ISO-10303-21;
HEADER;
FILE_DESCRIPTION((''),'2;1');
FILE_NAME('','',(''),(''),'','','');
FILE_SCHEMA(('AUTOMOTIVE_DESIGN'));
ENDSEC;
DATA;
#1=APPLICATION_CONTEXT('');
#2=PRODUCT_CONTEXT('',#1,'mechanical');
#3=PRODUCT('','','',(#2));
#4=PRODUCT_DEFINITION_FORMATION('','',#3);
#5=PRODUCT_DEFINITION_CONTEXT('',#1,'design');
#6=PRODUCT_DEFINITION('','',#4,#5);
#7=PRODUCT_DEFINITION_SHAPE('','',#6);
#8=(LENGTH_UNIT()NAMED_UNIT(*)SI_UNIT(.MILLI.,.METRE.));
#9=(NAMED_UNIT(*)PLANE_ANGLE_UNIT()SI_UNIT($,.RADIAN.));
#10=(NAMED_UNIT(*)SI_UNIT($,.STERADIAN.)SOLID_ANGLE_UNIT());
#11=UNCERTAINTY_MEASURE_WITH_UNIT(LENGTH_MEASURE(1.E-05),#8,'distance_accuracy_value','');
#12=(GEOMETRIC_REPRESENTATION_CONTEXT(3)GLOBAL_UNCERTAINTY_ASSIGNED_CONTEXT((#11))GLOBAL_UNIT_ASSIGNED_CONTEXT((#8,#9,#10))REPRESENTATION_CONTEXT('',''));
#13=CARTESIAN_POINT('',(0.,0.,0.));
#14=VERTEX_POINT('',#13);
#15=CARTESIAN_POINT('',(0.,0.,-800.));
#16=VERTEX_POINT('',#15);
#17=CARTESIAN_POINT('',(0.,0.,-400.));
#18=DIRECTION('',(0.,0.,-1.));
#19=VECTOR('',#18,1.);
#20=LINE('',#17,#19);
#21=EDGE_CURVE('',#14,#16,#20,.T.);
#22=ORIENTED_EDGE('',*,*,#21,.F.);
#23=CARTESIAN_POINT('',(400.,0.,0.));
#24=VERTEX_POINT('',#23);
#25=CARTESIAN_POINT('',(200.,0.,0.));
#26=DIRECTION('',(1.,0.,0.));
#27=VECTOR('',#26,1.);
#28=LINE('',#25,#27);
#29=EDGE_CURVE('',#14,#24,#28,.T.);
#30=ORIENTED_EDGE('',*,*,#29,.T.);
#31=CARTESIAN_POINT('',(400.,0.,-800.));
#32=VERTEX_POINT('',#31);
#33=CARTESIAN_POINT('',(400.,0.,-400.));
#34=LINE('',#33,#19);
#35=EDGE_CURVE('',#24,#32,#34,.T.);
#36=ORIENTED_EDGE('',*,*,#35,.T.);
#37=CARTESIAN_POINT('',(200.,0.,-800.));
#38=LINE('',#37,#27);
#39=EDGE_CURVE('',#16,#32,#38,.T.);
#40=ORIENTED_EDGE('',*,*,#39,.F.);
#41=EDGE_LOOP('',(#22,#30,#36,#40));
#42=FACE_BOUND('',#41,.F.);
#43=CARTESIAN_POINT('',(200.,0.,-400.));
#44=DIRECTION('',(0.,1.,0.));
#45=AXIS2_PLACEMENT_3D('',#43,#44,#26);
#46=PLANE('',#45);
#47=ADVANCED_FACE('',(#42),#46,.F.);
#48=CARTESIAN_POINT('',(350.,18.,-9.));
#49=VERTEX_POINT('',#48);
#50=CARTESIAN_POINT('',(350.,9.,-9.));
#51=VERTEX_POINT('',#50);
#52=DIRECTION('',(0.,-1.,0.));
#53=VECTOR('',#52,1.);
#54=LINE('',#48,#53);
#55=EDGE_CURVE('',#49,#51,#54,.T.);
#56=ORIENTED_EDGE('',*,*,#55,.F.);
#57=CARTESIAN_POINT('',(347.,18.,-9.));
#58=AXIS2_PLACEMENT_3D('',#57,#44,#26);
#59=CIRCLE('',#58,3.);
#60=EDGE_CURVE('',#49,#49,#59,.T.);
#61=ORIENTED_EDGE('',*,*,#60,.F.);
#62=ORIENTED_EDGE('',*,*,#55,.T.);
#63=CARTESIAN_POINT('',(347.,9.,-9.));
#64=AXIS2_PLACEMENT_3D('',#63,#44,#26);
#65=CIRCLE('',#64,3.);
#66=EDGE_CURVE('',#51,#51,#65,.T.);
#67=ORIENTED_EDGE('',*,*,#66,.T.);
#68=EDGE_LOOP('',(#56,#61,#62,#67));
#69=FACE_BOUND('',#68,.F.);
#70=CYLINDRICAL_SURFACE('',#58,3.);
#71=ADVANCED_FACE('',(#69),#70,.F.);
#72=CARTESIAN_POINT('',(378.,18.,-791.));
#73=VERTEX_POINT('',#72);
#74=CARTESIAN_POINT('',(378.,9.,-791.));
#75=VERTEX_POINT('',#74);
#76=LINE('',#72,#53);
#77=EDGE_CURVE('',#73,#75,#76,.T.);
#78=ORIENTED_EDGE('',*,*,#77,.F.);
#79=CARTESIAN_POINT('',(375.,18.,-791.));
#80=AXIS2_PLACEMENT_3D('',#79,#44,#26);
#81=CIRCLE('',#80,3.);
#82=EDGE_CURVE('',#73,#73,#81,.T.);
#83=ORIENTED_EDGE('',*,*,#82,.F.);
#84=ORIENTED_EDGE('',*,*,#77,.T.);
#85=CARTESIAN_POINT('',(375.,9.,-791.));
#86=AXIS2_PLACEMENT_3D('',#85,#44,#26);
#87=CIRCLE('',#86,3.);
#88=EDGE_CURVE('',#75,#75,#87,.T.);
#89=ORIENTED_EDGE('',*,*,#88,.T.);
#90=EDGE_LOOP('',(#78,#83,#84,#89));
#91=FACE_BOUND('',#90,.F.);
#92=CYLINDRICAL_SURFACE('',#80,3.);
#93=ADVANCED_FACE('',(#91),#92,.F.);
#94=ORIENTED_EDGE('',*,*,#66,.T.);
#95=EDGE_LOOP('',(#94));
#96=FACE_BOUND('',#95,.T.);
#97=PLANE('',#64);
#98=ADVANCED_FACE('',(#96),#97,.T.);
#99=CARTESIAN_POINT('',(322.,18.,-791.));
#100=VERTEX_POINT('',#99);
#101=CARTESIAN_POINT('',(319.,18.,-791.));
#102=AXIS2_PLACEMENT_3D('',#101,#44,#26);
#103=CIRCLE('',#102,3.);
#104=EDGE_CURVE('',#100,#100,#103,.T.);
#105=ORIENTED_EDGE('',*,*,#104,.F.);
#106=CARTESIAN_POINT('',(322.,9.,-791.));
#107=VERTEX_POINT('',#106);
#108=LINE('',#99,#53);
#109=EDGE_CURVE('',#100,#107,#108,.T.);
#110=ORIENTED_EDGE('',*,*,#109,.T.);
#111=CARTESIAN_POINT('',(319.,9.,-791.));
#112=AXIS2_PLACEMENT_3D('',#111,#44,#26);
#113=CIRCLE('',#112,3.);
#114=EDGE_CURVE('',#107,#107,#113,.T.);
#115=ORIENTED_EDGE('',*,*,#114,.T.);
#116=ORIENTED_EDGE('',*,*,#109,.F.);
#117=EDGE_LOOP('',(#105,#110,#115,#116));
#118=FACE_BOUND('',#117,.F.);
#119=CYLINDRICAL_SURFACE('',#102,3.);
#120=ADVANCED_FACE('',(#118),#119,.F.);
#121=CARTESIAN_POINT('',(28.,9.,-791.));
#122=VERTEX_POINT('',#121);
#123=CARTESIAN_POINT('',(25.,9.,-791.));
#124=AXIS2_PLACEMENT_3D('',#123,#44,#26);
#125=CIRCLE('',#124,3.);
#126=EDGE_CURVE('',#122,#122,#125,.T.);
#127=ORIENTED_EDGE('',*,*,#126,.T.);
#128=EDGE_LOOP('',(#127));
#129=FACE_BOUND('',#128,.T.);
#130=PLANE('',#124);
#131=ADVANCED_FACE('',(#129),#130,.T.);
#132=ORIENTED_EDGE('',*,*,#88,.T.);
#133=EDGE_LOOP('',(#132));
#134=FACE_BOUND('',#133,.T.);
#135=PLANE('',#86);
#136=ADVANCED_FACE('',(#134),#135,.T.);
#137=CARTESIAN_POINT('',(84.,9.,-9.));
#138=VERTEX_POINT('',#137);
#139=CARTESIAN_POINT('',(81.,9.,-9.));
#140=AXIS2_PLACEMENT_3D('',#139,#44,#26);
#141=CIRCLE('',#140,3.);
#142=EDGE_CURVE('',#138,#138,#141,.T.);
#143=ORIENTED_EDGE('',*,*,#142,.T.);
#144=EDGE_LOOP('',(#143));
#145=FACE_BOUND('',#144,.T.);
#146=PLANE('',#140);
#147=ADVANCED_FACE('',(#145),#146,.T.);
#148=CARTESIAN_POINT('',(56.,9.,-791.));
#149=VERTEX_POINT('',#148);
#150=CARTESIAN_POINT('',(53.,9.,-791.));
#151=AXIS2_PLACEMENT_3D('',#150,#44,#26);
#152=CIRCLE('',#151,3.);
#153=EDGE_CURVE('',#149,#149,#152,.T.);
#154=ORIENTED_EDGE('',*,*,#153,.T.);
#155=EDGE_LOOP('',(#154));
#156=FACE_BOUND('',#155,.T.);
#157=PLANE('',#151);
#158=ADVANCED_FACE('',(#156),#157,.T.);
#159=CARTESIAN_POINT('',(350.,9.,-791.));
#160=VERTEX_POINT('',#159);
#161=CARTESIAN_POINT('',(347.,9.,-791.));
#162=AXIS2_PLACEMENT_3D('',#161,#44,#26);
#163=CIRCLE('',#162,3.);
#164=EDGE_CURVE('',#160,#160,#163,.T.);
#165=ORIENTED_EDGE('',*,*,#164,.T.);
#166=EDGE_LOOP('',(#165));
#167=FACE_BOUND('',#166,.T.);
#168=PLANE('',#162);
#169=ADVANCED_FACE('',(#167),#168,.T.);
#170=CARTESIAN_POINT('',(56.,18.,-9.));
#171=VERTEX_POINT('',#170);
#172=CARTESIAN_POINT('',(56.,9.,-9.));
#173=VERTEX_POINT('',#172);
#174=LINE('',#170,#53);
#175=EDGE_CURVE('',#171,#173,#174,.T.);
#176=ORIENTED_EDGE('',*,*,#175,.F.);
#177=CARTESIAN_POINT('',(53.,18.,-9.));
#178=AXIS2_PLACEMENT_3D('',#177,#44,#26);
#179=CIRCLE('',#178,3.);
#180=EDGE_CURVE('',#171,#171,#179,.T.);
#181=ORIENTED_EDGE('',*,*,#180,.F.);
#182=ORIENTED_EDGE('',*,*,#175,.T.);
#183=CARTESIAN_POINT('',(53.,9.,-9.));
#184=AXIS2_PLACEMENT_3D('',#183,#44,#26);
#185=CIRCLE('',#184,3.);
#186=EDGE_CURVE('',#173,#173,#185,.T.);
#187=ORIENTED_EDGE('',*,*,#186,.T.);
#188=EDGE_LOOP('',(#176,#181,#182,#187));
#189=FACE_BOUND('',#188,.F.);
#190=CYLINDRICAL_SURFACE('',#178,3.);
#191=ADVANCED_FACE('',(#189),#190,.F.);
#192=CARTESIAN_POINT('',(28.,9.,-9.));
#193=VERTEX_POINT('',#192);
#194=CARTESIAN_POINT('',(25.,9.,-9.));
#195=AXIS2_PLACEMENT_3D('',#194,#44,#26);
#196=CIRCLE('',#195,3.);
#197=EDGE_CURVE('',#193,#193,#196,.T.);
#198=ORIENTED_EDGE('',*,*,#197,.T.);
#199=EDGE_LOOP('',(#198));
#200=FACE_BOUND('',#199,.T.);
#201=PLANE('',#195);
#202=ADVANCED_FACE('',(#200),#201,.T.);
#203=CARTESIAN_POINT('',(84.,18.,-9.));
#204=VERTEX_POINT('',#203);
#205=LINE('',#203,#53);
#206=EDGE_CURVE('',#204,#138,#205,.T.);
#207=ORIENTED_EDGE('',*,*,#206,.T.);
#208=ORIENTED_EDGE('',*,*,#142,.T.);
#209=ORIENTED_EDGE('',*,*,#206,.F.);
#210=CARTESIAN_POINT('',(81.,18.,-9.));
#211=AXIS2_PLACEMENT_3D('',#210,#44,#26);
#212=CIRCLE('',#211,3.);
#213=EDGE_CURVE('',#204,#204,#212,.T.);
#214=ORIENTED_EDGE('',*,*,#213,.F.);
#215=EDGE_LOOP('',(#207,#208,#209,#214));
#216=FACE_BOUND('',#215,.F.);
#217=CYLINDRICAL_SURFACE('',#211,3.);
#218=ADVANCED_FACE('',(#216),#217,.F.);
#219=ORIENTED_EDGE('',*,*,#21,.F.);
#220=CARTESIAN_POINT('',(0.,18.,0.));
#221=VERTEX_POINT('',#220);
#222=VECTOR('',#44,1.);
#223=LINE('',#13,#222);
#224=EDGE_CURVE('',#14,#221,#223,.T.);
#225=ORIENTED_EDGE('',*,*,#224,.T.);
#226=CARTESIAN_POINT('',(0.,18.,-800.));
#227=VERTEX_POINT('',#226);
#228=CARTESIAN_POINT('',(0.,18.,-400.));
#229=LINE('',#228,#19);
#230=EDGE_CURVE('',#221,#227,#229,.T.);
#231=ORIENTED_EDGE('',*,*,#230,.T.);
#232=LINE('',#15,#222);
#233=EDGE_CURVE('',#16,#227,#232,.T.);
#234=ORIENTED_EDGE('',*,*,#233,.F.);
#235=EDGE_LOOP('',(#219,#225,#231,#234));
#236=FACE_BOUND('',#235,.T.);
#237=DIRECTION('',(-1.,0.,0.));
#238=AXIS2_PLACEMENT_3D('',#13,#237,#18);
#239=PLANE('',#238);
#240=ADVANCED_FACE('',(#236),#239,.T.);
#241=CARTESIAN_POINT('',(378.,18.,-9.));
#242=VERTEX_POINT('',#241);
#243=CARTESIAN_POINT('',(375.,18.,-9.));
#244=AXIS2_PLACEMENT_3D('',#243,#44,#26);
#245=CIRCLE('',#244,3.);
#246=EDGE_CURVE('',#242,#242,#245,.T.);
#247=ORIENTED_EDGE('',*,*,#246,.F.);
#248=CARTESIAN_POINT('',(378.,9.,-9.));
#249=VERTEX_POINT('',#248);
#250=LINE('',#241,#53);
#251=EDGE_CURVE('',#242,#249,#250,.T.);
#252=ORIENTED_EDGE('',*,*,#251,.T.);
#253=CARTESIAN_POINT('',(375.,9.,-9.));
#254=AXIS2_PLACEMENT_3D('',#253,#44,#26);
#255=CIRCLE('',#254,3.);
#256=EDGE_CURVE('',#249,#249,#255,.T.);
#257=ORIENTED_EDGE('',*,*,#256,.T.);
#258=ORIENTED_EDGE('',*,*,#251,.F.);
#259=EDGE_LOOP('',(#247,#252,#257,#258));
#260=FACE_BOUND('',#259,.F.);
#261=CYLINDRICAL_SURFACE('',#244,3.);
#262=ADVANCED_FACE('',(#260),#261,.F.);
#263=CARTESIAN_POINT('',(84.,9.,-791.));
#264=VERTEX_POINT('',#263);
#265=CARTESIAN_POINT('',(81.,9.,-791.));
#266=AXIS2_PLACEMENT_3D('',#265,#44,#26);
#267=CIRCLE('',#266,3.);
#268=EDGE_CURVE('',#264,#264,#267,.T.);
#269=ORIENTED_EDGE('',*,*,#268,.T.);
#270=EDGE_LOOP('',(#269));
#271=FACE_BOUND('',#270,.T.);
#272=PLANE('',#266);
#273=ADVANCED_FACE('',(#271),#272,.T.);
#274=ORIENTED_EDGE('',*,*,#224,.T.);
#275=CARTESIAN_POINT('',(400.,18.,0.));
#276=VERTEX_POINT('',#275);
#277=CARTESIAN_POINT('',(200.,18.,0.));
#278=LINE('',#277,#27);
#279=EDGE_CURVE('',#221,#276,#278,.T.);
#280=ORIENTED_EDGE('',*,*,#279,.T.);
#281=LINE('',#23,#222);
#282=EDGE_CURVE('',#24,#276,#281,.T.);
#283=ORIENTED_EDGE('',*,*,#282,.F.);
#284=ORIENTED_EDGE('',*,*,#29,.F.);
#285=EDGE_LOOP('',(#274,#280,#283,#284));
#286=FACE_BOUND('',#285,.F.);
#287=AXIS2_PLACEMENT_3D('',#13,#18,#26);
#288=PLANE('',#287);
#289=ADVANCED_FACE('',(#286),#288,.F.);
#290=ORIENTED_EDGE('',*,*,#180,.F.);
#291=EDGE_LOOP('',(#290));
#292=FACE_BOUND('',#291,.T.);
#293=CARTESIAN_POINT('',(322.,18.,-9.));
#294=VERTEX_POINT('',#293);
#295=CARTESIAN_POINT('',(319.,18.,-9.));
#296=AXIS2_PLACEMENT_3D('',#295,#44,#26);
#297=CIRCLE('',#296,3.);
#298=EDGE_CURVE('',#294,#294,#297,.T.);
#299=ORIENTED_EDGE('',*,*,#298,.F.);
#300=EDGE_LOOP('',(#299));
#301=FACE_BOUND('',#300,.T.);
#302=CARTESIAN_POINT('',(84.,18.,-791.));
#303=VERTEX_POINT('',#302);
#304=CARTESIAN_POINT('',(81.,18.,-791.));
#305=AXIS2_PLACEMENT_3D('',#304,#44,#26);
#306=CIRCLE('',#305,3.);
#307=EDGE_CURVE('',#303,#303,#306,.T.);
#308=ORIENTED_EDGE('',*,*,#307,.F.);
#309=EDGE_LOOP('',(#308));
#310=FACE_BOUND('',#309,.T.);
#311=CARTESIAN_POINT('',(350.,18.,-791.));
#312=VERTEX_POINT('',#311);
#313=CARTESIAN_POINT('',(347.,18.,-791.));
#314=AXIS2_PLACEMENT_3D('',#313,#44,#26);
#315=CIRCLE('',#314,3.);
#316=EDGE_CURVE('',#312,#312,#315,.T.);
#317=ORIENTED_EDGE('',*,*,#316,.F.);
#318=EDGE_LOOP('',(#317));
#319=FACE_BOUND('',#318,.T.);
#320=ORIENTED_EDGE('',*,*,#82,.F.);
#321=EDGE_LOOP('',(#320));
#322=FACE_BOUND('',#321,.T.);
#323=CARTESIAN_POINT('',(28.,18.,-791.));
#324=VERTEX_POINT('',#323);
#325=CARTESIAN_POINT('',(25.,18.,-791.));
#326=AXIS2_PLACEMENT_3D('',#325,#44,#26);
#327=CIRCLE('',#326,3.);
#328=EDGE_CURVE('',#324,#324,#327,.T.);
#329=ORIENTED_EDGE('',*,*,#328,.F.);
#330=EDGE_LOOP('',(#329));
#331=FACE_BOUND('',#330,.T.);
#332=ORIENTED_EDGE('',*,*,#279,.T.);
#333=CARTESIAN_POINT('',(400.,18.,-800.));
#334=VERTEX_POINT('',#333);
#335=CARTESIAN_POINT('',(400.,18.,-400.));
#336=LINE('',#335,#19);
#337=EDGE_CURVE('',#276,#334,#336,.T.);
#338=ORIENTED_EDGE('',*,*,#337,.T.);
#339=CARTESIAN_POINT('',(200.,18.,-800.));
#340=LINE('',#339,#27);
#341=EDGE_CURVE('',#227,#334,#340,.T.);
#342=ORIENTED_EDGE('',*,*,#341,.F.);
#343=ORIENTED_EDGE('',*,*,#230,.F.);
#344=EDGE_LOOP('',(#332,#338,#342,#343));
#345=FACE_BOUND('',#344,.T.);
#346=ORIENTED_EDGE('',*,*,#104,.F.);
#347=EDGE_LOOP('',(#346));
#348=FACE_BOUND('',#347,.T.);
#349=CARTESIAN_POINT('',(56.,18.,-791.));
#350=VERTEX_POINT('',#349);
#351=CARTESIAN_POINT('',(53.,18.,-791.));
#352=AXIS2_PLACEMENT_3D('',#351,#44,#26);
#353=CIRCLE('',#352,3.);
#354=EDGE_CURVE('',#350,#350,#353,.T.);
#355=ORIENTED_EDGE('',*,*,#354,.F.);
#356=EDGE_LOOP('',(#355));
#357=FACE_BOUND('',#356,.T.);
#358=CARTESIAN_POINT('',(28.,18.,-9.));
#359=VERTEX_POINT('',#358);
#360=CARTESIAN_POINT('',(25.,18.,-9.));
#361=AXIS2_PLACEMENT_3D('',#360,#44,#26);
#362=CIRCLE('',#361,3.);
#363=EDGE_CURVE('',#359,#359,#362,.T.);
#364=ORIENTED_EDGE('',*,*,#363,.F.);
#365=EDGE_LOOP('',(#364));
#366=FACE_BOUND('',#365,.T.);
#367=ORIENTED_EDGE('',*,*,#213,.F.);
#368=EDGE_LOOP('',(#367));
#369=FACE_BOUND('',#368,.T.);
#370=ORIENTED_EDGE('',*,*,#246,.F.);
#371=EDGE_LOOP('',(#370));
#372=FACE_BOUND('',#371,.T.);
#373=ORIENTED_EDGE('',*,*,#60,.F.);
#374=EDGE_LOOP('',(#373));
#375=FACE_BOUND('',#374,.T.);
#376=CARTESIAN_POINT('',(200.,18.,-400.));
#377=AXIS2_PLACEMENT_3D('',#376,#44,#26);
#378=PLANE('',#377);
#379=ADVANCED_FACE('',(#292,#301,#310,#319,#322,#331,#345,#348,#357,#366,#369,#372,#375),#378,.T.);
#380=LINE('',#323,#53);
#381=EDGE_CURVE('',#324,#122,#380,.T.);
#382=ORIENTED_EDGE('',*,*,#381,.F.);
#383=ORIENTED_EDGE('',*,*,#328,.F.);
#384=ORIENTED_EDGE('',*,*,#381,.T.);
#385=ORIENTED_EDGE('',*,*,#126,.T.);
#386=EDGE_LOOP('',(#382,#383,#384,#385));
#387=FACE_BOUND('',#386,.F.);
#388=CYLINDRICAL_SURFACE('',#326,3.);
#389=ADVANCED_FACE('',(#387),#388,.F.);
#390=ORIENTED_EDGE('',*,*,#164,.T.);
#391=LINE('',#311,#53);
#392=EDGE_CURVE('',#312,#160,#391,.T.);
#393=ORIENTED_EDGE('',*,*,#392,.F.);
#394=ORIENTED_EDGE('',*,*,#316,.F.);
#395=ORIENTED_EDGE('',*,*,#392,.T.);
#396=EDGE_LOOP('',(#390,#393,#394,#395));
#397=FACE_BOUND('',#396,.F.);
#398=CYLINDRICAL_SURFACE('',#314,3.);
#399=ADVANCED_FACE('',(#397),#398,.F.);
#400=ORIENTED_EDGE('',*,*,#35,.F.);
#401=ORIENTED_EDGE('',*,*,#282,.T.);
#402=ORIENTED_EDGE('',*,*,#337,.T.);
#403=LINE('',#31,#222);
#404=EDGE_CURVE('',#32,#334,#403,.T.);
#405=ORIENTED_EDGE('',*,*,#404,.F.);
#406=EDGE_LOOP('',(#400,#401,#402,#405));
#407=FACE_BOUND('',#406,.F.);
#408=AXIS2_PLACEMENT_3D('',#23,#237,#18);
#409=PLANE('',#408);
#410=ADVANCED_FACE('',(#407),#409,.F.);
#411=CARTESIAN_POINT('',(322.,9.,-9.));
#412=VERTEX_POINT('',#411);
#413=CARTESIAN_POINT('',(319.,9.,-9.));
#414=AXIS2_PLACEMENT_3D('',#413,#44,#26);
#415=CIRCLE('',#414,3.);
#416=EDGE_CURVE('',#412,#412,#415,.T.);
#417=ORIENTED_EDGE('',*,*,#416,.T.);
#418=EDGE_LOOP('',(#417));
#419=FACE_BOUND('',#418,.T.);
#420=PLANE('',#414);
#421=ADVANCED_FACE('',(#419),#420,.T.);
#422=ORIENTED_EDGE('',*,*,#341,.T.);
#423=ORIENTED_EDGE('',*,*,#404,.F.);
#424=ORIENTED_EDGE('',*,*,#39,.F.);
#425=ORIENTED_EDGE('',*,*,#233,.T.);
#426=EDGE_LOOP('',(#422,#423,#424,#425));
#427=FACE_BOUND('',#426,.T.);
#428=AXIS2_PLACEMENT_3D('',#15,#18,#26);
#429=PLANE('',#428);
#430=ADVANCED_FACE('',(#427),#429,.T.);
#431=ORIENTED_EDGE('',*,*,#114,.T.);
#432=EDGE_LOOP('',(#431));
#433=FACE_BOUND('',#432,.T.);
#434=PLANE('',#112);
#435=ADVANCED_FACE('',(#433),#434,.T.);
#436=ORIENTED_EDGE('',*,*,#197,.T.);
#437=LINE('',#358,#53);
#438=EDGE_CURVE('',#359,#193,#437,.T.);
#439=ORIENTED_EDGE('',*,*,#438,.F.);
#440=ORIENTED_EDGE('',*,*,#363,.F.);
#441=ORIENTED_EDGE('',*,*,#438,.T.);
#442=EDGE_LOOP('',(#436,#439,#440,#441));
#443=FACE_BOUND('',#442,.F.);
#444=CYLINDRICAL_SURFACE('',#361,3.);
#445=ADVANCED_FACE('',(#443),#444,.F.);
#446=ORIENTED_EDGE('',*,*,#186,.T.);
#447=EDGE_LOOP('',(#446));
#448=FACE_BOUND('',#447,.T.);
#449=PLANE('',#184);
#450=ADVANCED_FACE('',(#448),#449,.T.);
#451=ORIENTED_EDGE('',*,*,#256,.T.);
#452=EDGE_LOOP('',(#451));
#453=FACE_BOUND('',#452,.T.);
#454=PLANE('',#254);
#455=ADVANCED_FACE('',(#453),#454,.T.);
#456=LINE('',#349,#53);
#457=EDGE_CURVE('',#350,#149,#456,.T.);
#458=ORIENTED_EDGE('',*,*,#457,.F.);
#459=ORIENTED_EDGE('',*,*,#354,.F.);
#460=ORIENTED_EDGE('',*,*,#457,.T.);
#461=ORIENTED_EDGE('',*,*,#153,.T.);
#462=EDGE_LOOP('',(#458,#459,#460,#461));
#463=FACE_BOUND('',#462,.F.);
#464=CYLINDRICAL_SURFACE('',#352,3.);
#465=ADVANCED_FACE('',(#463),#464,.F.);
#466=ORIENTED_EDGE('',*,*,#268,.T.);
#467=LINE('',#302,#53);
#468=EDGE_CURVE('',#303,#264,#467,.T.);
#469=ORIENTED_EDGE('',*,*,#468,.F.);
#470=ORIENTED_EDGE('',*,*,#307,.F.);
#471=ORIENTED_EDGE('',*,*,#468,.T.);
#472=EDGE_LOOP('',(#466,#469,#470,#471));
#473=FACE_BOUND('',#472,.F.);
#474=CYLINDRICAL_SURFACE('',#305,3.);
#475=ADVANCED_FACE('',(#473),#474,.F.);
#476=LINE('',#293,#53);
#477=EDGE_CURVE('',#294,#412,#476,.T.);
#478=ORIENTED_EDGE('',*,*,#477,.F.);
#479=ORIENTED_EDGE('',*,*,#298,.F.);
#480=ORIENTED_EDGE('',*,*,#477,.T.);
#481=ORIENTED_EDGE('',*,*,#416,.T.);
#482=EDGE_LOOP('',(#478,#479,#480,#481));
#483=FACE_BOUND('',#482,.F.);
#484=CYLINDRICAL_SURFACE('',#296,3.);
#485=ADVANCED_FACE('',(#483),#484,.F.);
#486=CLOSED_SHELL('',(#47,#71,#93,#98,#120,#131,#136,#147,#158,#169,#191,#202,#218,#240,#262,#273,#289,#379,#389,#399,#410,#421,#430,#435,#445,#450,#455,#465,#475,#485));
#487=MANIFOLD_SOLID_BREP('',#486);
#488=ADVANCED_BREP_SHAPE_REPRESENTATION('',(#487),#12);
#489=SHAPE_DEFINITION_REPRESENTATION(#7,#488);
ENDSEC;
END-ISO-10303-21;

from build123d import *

# Parameters (mm, degrees)
SKETCH_1_W          = 400
SKETCH_1_H          = 800
EXTRUDE_1_DEPTH     = 18
SKETCH_2_R          = 3
CUT_EXTRUDE_1_DEPTH = 9


with BuildPart() as part:
    # Эскиз1 → Бобышка-Вытянуть1 (new body)
    with BuildSketch(Plane(origin=(0, 0, 0), x_dir=(1, 0, 0), z_dir=(0, 1, 0))):
        with Locations((200, 400)):
            Rectangle(SKETCH_1_W, SKETCH_1_H)
    extrude(amount=EXTRUDE_1_DEPTH)

    # Эскиз2 → Вырез-Вытянуть1 (cut)
    with BuildSketch(Plane(origin=(0, 18, 0), x_dir=(1, 0, 0), z_dir=(0, 1, 0))):
        with Locations((25, 9)):
            Circle(SKETCH_2_R)
        with Locations((53, 9)):
            Circle(SKETCH_2_R)
        with Locations((81, 9)):
            Circle(SKETCH_2_R)
        with Locations((319, 9)):
            Circle(SKETCH_2_R)
        with Locations((347, 9)):
            Circle(SKETCH_2_R)
        with Locations((375, 9)):
            Circle(SKETCH_2_R)
        with Locations((375, 791)):
            Circle(SKETCH_2_R)
        with Locations((347, 791)):
            Circle(SKETCH_2_R)
        with Locations((319, 791)):
            Circle(SKETCH_2_R)
        with Locations((81, 791)):
            Circle(SKETCH_2_R)
        with Locations((53, 791)):
            Circle(SKETCH_2_R)
        with Locations((25, 791)):
            Circle(SKETCH_2_R)
    extrude(amount=-CUT_EXTRUDE_1_DEPTH, mode=Mode.SUBTRACT)


solid = part.part
